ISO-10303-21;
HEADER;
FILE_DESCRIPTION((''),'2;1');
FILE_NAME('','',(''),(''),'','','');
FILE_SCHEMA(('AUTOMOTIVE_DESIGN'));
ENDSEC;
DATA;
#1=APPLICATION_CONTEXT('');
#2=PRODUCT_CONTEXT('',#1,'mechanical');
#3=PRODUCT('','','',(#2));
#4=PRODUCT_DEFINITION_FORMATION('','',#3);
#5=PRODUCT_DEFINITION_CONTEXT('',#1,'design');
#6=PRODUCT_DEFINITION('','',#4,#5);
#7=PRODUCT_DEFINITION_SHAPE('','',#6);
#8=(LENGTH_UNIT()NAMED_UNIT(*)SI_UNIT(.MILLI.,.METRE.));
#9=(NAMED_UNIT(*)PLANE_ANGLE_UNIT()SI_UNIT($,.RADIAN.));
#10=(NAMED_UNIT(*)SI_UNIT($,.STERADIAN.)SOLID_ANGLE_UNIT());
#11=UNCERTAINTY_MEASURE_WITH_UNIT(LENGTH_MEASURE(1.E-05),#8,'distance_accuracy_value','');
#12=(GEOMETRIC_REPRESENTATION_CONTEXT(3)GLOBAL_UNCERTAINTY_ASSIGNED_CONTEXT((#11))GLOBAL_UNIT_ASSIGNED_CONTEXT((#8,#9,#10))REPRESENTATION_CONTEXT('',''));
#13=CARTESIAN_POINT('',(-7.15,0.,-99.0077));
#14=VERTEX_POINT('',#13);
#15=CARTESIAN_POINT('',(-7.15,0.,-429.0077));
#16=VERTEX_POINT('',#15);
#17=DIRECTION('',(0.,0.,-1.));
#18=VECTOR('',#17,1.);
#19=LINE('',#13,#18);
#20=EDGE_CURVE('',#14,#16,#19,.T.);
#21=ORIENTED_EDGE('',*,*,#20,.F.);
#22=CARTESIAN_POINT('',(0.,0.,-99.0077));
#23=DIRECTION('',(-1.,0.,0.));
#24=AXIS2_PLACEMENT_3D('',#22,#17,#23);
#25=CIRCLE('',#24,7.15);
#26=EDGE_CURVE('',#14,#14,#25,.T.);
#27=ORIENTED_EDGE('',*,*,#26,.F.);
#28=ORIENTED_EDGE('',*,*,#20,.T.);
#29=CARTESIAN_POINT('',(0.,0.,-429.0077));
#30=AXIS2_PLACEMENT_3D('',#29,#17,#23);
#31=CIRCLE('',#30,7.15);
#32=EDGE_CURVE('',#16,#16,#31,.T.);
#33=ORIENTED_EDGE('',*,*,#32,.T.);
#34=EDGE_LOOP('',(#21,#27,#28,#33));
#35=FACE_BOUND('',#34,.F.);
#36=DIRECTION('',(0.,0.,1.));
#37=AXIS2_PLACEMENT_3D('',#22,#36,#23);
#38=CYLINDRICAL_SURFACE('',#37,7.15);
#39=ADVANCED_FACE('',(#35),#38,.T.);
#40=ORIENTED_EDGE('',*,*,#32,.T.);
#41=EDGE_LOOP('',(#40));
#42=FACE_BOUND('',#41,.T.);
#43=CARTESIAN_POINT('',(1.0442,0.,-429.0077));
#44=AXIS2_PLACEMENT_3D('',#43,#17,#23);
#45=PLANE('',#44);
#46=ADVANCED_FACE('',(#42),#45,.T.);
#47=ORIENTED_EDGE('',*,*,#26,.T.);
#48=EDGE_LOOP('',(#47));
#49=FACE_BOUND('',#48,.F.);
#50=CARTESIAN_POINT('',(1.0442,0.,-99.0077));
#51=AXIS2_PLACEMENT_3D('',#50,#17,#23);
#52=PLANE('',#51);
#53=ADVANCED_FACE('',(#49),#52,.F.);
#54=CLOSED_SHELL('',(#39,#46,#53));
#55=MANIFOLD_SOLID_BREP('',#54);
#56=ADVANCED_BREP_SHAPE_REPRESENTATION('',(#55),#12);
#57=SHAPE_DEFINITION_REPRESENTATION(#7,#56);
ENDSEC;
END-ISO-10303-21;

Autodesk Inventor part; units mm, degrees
ref_plane "YZ Plane" through (0, 0, 0) normal (1, 0, 0) x (0, 1, 0)
ref_plane "XZ Plane" through (0, 0, 0) normal (0, 1, 0) x (-1, 0, 0)
ref_plane "XY Plane" through (0, 0, 0) normal (0, 0, 1) x (1, 0, 0)
ref_plane "Work Plane1" through (1.0442, 0, -99.0077) normal (0, 0, -1) x (-1, 0, 0)
sketch "Sketch1" plane through (1.0442, 0, -99.0077) normal (0, 0, -1) x (-1, 0, 0)
  circle A0 centre (1.0442, 0) radius 7.15
  point P0 (1.0442, 0)
  dimension "d0" = 14.3
extrude "Extrusion1" add sketch "Sketch1" along normal blind 330
properties part number "verticalRod"
